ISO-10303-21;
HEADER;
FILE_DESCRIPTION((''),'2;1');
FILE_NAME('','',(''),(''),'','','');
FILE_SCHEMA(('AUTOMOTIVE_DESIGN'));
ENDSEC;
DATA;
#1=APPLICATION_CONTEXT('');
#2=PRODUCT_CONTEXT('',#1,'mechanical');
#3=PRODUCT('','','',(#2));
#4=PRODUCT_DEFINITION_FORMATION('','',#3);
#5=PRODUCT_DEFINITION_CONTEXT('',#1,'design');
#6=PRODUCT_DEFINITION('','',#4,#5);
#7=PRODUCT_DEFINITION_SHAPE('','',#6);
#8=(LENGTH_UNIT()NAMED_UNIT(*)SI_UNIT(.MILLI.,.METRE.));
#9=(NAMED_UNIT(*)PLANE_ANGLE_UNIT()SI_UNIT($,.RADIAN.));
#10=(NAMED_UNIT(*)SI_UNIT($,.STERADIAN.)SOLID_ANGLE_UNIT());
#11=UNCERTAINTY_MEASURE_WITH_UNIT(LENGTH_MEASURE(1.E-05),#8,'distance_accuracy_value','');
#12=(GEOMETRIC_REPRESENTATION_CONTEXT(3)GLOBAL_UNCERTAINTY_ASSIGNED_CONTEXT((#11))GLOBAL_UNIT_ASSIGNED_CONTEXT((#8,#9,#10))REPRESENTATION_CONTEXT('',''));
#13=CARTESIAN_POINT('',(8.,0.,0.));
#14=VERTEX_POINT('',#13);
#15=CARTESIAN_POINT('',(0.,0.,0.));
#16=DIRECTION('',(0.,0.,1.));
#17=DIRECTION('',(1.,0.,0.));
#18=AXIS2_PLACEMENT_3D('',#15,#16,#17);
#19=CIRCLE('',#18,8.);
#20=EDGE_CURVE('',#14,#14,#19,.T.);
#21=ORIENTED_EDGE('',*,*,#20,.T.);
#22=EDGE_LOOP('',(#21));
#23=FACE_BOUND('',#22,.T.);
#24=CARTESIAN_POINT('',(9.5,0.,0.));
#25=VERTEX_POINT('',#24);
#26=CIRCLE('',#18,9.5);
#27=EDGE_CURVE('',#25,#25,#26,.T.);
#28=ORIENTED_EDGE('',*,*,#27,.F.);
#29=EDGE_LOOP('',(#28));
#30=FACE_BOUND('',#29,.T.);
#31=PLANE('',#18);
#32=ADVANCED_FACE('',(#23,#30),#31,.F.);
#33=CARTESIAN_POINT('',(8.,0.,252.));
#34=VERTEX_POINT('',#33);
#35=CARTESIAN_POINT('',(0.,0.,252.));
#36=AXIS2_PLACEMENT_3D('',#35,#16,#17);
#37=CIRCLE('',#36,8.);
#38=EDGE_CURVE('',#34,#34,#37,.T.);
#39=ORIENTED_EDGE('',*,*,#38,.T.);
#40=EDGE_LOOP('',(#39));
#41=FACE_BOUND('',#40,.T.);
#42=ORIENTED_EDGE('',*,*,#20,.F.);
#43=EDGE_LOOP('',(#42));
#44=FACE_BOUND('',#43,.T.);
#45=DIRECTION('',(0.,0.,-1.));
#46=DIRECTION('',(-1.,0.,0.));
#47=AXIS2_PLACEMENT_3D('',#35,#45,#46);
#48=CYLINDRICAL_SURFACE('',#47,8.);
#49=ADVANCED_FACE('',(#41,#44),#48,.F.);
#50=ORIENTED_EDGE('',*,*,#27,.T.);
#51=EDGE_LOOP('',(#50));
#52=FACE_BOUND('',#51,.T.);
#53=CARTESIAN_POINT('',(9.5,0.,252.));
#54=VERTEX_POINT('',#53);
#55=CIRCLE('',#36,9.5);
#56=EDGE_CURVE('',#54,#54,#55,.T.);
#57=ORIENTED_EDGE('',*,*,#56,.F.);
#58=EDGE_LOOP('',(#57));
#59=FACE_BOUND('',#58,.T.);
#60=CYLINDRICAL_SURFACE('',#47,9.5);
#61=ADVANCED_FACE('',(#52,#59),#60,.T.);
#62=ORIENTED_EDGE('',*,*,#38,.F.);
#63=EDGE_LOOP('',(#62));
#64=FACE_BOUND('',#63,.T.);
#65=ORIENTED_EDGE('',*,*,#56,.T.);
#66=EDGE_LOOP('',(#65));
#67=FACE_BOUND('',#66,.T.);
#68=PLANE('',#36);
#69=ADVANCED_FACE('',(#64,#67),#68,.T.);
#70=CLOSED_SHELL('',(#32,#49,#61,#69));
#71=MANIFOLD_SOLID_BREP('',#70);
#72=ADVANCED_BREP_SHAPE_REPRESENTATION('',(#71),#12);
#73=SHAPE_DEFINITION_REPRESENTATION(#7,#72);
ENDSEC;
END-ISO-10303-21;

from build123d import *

# Parameters (mm, degrees)
SKETCH1_R           = 9.5
SKETCH1_R_2         = 8
BOSS_EXTRUDE1_DEPTH = 252


with BuildPart() as part:
    # Sketch1 → Boss-Extrude1 (new body)
    with BuildSketch(Plane.XY):
        Circle(SKETCH1_R)
        Circle(SKETCH1_R_2, mode=Mode.SUBTRACT)
    extrude(amount=BOSS_EXTRUDE1_DEPTH)


solid = part.part
